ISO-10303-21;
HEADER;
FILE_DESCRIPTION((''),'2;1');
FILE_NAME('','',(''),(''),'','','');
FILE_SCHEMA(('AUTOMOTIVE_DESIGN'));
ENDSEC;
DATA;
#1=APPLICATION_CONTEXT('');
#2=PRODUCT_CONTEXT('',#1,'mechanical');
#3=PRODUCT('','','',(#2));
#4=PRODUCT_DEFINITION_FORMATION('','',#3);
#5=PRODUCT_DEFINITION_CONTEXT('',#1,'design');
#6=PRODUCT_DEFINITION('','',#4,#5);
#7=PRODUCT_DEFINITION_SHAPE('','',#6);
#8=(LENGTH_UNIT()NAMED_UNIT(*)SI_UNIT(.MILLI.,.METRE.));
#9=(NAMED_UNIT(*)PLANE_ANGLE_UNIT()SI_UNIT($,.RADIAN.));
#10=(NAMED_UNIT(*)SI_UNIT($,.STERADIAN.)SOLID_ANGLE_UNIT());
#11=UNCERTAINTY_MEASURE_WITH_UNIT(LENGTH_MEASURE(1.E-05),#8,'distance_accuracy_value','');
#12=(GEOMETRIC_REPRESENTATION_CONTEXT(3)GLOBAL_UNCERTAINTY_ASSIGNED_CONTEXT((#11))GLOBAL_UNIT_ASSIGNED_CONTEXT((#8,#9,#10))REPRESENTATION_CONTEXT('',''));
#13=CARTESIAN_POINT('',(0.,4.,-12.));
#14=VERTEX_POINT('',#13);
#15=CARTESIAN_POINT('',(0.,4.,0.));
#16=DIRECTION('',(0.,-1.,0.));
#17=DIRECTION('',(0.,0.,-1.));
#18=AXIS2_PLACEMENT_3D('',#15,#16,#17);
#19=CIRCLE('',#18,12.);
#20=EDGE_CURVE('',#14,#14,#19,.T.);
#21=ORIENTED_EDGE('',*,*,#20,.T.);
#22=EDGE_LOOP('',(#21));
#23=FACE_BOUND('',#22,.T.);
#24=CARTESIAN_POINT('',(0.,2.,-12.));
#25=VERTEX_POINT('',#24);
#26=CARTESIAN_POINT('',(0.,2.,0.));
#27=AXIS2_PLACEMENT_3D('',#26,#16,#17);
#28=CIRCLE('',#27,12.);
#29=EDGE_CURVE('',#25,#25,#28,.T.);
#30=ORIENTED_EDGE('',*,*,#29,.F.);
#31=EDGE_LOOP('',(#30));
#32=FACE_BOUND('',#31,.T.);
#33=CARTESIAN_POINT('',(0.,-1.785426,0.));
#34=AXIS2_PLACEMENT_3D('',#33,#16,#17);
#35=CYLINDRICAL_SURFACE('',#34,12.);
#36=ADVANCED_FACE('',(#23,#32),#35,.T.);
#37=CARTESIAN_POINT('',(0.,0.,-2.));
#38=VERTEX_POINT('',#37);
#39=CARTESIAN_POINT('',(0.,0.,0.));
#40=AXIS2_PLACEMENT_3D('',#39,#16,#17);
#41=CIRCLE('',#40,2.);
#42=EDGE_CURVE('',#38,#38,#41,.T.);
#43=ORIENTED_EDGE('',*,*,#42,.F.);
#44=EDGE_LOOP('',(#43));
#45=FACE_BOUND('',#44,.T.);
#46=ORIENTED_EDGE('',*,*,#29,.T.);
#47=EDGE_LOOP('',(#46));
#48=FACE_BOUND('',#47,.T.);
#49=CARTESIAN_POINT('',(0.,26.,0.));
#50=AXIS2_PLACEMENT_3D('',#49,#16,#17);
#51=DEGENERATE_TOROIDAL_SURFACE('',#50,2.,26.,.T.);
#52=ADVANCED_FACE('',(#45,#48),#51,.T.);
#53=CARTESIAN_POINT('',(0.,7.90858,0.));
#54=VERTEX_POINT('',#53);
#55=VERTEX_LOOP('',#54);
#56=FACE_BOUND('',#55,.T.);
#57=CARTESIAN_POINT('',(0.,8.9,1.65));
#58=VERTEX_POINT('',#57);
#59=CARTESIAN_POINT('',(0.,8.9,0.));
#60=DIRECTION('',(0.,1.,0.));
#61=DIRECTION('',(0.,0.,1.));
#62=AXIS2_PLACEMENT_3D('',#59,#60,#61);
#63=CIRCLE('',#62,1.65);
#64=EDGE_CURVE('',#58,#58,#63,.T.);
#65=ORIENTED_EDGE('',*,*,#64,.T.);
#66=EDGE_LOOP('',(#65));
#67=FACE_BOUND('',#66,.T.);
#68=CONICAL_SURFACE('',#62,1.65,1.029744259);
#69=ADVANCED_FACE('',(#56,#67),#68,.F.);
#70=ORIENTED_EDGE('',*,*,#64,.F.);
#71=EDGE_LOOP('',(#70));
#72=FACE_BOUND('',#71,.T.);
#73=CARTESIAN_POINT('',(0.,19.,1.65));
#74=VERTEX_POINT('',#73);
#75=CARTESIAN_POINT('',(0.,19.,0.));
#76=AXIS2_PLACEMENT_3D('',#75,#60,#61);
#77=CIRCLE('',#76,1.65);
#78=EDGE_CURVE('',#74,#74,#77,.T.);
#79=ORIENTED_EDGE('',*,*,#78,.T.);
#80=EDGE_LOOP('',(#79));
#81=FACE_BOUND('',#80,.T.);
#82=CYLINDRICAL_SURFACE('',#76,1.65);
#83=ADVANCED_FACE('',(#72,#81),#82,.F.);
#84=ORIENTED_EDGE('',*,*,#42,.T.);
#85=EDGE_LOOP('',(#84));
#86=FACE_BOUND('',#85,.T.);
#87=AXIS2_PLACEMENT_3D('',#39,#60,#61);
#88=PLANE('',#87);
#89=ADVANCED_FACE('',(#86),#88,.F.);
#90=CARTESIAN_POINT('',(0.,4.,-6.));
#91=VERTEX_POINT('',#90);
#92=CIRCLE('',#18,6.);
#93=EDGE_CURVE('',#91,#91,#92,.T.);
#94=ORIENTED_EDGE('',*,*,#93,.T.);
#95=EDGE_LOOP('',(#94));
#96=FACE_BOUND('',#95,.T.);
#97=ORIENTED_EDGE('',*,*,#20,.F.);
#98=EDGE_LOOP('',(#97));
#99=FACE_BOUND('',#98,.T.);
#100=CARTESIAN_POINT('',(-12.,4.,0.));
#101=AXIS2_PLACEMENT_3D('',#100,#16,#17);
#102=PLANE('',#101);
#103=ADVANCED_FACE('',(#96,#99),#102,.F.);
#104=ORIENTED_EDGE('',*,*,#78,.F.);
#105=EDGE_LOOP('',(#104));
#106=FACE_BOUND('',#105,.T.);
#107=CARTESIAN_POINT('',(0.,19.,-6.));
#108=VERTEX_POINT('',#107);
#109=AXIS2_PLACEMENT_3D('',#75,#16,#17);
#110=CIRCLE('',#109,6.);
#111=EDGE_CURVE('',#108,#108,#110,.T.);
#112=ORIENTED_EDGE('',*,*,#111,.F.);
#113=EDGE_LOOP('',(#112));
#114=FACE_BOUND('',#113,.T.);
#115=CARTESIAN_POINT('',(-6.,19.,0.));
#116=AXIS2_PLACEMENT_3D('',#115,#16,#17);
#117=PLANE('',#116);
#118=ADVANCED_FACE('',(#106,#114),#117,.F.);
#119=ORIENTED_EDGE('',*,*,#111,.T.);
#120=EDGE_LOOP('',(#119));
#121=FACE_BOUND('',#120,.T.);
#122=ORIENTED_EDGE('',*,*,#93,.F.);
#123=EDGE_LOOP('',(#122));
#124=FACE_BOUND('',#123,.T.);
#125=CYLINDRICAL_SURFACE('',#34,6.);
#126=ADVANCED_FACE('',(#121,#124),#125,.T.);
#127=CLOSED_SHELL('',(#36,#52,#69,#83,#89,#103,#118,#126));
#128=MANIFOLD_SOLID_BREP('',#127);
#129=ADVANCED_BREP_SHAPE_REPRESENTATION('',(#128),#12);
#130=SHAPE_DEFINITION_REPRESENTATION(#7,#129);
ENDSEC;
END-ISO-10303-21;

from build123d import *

# Parameters (mm, degrees)
M4X0_7_TAPPED_HOLE1_D     = 3.3
M4X0_7_TAPPED_HOLE1_DEPTH = 10.1
M4X0_7_TAPPED_HOLE1_TIP   = 0.991420021


with BuildPart() as part:
    # Sketch1 → Revolve1 (revolve)
    with BuildSketch(Plane.XY):
        with BuildLine():
            Line((0, 0), (-2, 0))
            ThreePointArc((-2, 0), (-7.099019514, 0.504902432), (-12, 2))
            Line((-12, 2), (-12, 4))
            Line((-12, 4), (-6, 4))
            Line((-6, 4), (-6, 19))
            Line((-6, 19), (0, 19))
            Line((0, 19), (0, 0))
        make_face()
    revolve(axis=Axis((0, -1.785426229, 0), (0, 1, 0)))

    # M4x0.7 Tapped Hole1
    with Locations(Plane(origin=(0, 19, 0), x_dir=(1, 0, 0), z_dir=(0, 1, 0))):
        with Locations((0, 0)):
            Hole(M4X0_7_TAPPED_HOLE1_D / 2, depth=M4X0_7_TAPPED_HOLE1_DEPTH)
            with Locations((0, 0, -(M4X0_7_TAPPED_HOLE1_DEPTH + M4X0_7_TAPPED_HOLE1_TIP / 2))):  # 118° drill point
                Cone(0, M4X0_7_TAPPED_HOLE1_D / 2, M4X0_7_TAPPED_HOLE1_TIP, mode=Mode.SUBTRACT)


solid = part.part
